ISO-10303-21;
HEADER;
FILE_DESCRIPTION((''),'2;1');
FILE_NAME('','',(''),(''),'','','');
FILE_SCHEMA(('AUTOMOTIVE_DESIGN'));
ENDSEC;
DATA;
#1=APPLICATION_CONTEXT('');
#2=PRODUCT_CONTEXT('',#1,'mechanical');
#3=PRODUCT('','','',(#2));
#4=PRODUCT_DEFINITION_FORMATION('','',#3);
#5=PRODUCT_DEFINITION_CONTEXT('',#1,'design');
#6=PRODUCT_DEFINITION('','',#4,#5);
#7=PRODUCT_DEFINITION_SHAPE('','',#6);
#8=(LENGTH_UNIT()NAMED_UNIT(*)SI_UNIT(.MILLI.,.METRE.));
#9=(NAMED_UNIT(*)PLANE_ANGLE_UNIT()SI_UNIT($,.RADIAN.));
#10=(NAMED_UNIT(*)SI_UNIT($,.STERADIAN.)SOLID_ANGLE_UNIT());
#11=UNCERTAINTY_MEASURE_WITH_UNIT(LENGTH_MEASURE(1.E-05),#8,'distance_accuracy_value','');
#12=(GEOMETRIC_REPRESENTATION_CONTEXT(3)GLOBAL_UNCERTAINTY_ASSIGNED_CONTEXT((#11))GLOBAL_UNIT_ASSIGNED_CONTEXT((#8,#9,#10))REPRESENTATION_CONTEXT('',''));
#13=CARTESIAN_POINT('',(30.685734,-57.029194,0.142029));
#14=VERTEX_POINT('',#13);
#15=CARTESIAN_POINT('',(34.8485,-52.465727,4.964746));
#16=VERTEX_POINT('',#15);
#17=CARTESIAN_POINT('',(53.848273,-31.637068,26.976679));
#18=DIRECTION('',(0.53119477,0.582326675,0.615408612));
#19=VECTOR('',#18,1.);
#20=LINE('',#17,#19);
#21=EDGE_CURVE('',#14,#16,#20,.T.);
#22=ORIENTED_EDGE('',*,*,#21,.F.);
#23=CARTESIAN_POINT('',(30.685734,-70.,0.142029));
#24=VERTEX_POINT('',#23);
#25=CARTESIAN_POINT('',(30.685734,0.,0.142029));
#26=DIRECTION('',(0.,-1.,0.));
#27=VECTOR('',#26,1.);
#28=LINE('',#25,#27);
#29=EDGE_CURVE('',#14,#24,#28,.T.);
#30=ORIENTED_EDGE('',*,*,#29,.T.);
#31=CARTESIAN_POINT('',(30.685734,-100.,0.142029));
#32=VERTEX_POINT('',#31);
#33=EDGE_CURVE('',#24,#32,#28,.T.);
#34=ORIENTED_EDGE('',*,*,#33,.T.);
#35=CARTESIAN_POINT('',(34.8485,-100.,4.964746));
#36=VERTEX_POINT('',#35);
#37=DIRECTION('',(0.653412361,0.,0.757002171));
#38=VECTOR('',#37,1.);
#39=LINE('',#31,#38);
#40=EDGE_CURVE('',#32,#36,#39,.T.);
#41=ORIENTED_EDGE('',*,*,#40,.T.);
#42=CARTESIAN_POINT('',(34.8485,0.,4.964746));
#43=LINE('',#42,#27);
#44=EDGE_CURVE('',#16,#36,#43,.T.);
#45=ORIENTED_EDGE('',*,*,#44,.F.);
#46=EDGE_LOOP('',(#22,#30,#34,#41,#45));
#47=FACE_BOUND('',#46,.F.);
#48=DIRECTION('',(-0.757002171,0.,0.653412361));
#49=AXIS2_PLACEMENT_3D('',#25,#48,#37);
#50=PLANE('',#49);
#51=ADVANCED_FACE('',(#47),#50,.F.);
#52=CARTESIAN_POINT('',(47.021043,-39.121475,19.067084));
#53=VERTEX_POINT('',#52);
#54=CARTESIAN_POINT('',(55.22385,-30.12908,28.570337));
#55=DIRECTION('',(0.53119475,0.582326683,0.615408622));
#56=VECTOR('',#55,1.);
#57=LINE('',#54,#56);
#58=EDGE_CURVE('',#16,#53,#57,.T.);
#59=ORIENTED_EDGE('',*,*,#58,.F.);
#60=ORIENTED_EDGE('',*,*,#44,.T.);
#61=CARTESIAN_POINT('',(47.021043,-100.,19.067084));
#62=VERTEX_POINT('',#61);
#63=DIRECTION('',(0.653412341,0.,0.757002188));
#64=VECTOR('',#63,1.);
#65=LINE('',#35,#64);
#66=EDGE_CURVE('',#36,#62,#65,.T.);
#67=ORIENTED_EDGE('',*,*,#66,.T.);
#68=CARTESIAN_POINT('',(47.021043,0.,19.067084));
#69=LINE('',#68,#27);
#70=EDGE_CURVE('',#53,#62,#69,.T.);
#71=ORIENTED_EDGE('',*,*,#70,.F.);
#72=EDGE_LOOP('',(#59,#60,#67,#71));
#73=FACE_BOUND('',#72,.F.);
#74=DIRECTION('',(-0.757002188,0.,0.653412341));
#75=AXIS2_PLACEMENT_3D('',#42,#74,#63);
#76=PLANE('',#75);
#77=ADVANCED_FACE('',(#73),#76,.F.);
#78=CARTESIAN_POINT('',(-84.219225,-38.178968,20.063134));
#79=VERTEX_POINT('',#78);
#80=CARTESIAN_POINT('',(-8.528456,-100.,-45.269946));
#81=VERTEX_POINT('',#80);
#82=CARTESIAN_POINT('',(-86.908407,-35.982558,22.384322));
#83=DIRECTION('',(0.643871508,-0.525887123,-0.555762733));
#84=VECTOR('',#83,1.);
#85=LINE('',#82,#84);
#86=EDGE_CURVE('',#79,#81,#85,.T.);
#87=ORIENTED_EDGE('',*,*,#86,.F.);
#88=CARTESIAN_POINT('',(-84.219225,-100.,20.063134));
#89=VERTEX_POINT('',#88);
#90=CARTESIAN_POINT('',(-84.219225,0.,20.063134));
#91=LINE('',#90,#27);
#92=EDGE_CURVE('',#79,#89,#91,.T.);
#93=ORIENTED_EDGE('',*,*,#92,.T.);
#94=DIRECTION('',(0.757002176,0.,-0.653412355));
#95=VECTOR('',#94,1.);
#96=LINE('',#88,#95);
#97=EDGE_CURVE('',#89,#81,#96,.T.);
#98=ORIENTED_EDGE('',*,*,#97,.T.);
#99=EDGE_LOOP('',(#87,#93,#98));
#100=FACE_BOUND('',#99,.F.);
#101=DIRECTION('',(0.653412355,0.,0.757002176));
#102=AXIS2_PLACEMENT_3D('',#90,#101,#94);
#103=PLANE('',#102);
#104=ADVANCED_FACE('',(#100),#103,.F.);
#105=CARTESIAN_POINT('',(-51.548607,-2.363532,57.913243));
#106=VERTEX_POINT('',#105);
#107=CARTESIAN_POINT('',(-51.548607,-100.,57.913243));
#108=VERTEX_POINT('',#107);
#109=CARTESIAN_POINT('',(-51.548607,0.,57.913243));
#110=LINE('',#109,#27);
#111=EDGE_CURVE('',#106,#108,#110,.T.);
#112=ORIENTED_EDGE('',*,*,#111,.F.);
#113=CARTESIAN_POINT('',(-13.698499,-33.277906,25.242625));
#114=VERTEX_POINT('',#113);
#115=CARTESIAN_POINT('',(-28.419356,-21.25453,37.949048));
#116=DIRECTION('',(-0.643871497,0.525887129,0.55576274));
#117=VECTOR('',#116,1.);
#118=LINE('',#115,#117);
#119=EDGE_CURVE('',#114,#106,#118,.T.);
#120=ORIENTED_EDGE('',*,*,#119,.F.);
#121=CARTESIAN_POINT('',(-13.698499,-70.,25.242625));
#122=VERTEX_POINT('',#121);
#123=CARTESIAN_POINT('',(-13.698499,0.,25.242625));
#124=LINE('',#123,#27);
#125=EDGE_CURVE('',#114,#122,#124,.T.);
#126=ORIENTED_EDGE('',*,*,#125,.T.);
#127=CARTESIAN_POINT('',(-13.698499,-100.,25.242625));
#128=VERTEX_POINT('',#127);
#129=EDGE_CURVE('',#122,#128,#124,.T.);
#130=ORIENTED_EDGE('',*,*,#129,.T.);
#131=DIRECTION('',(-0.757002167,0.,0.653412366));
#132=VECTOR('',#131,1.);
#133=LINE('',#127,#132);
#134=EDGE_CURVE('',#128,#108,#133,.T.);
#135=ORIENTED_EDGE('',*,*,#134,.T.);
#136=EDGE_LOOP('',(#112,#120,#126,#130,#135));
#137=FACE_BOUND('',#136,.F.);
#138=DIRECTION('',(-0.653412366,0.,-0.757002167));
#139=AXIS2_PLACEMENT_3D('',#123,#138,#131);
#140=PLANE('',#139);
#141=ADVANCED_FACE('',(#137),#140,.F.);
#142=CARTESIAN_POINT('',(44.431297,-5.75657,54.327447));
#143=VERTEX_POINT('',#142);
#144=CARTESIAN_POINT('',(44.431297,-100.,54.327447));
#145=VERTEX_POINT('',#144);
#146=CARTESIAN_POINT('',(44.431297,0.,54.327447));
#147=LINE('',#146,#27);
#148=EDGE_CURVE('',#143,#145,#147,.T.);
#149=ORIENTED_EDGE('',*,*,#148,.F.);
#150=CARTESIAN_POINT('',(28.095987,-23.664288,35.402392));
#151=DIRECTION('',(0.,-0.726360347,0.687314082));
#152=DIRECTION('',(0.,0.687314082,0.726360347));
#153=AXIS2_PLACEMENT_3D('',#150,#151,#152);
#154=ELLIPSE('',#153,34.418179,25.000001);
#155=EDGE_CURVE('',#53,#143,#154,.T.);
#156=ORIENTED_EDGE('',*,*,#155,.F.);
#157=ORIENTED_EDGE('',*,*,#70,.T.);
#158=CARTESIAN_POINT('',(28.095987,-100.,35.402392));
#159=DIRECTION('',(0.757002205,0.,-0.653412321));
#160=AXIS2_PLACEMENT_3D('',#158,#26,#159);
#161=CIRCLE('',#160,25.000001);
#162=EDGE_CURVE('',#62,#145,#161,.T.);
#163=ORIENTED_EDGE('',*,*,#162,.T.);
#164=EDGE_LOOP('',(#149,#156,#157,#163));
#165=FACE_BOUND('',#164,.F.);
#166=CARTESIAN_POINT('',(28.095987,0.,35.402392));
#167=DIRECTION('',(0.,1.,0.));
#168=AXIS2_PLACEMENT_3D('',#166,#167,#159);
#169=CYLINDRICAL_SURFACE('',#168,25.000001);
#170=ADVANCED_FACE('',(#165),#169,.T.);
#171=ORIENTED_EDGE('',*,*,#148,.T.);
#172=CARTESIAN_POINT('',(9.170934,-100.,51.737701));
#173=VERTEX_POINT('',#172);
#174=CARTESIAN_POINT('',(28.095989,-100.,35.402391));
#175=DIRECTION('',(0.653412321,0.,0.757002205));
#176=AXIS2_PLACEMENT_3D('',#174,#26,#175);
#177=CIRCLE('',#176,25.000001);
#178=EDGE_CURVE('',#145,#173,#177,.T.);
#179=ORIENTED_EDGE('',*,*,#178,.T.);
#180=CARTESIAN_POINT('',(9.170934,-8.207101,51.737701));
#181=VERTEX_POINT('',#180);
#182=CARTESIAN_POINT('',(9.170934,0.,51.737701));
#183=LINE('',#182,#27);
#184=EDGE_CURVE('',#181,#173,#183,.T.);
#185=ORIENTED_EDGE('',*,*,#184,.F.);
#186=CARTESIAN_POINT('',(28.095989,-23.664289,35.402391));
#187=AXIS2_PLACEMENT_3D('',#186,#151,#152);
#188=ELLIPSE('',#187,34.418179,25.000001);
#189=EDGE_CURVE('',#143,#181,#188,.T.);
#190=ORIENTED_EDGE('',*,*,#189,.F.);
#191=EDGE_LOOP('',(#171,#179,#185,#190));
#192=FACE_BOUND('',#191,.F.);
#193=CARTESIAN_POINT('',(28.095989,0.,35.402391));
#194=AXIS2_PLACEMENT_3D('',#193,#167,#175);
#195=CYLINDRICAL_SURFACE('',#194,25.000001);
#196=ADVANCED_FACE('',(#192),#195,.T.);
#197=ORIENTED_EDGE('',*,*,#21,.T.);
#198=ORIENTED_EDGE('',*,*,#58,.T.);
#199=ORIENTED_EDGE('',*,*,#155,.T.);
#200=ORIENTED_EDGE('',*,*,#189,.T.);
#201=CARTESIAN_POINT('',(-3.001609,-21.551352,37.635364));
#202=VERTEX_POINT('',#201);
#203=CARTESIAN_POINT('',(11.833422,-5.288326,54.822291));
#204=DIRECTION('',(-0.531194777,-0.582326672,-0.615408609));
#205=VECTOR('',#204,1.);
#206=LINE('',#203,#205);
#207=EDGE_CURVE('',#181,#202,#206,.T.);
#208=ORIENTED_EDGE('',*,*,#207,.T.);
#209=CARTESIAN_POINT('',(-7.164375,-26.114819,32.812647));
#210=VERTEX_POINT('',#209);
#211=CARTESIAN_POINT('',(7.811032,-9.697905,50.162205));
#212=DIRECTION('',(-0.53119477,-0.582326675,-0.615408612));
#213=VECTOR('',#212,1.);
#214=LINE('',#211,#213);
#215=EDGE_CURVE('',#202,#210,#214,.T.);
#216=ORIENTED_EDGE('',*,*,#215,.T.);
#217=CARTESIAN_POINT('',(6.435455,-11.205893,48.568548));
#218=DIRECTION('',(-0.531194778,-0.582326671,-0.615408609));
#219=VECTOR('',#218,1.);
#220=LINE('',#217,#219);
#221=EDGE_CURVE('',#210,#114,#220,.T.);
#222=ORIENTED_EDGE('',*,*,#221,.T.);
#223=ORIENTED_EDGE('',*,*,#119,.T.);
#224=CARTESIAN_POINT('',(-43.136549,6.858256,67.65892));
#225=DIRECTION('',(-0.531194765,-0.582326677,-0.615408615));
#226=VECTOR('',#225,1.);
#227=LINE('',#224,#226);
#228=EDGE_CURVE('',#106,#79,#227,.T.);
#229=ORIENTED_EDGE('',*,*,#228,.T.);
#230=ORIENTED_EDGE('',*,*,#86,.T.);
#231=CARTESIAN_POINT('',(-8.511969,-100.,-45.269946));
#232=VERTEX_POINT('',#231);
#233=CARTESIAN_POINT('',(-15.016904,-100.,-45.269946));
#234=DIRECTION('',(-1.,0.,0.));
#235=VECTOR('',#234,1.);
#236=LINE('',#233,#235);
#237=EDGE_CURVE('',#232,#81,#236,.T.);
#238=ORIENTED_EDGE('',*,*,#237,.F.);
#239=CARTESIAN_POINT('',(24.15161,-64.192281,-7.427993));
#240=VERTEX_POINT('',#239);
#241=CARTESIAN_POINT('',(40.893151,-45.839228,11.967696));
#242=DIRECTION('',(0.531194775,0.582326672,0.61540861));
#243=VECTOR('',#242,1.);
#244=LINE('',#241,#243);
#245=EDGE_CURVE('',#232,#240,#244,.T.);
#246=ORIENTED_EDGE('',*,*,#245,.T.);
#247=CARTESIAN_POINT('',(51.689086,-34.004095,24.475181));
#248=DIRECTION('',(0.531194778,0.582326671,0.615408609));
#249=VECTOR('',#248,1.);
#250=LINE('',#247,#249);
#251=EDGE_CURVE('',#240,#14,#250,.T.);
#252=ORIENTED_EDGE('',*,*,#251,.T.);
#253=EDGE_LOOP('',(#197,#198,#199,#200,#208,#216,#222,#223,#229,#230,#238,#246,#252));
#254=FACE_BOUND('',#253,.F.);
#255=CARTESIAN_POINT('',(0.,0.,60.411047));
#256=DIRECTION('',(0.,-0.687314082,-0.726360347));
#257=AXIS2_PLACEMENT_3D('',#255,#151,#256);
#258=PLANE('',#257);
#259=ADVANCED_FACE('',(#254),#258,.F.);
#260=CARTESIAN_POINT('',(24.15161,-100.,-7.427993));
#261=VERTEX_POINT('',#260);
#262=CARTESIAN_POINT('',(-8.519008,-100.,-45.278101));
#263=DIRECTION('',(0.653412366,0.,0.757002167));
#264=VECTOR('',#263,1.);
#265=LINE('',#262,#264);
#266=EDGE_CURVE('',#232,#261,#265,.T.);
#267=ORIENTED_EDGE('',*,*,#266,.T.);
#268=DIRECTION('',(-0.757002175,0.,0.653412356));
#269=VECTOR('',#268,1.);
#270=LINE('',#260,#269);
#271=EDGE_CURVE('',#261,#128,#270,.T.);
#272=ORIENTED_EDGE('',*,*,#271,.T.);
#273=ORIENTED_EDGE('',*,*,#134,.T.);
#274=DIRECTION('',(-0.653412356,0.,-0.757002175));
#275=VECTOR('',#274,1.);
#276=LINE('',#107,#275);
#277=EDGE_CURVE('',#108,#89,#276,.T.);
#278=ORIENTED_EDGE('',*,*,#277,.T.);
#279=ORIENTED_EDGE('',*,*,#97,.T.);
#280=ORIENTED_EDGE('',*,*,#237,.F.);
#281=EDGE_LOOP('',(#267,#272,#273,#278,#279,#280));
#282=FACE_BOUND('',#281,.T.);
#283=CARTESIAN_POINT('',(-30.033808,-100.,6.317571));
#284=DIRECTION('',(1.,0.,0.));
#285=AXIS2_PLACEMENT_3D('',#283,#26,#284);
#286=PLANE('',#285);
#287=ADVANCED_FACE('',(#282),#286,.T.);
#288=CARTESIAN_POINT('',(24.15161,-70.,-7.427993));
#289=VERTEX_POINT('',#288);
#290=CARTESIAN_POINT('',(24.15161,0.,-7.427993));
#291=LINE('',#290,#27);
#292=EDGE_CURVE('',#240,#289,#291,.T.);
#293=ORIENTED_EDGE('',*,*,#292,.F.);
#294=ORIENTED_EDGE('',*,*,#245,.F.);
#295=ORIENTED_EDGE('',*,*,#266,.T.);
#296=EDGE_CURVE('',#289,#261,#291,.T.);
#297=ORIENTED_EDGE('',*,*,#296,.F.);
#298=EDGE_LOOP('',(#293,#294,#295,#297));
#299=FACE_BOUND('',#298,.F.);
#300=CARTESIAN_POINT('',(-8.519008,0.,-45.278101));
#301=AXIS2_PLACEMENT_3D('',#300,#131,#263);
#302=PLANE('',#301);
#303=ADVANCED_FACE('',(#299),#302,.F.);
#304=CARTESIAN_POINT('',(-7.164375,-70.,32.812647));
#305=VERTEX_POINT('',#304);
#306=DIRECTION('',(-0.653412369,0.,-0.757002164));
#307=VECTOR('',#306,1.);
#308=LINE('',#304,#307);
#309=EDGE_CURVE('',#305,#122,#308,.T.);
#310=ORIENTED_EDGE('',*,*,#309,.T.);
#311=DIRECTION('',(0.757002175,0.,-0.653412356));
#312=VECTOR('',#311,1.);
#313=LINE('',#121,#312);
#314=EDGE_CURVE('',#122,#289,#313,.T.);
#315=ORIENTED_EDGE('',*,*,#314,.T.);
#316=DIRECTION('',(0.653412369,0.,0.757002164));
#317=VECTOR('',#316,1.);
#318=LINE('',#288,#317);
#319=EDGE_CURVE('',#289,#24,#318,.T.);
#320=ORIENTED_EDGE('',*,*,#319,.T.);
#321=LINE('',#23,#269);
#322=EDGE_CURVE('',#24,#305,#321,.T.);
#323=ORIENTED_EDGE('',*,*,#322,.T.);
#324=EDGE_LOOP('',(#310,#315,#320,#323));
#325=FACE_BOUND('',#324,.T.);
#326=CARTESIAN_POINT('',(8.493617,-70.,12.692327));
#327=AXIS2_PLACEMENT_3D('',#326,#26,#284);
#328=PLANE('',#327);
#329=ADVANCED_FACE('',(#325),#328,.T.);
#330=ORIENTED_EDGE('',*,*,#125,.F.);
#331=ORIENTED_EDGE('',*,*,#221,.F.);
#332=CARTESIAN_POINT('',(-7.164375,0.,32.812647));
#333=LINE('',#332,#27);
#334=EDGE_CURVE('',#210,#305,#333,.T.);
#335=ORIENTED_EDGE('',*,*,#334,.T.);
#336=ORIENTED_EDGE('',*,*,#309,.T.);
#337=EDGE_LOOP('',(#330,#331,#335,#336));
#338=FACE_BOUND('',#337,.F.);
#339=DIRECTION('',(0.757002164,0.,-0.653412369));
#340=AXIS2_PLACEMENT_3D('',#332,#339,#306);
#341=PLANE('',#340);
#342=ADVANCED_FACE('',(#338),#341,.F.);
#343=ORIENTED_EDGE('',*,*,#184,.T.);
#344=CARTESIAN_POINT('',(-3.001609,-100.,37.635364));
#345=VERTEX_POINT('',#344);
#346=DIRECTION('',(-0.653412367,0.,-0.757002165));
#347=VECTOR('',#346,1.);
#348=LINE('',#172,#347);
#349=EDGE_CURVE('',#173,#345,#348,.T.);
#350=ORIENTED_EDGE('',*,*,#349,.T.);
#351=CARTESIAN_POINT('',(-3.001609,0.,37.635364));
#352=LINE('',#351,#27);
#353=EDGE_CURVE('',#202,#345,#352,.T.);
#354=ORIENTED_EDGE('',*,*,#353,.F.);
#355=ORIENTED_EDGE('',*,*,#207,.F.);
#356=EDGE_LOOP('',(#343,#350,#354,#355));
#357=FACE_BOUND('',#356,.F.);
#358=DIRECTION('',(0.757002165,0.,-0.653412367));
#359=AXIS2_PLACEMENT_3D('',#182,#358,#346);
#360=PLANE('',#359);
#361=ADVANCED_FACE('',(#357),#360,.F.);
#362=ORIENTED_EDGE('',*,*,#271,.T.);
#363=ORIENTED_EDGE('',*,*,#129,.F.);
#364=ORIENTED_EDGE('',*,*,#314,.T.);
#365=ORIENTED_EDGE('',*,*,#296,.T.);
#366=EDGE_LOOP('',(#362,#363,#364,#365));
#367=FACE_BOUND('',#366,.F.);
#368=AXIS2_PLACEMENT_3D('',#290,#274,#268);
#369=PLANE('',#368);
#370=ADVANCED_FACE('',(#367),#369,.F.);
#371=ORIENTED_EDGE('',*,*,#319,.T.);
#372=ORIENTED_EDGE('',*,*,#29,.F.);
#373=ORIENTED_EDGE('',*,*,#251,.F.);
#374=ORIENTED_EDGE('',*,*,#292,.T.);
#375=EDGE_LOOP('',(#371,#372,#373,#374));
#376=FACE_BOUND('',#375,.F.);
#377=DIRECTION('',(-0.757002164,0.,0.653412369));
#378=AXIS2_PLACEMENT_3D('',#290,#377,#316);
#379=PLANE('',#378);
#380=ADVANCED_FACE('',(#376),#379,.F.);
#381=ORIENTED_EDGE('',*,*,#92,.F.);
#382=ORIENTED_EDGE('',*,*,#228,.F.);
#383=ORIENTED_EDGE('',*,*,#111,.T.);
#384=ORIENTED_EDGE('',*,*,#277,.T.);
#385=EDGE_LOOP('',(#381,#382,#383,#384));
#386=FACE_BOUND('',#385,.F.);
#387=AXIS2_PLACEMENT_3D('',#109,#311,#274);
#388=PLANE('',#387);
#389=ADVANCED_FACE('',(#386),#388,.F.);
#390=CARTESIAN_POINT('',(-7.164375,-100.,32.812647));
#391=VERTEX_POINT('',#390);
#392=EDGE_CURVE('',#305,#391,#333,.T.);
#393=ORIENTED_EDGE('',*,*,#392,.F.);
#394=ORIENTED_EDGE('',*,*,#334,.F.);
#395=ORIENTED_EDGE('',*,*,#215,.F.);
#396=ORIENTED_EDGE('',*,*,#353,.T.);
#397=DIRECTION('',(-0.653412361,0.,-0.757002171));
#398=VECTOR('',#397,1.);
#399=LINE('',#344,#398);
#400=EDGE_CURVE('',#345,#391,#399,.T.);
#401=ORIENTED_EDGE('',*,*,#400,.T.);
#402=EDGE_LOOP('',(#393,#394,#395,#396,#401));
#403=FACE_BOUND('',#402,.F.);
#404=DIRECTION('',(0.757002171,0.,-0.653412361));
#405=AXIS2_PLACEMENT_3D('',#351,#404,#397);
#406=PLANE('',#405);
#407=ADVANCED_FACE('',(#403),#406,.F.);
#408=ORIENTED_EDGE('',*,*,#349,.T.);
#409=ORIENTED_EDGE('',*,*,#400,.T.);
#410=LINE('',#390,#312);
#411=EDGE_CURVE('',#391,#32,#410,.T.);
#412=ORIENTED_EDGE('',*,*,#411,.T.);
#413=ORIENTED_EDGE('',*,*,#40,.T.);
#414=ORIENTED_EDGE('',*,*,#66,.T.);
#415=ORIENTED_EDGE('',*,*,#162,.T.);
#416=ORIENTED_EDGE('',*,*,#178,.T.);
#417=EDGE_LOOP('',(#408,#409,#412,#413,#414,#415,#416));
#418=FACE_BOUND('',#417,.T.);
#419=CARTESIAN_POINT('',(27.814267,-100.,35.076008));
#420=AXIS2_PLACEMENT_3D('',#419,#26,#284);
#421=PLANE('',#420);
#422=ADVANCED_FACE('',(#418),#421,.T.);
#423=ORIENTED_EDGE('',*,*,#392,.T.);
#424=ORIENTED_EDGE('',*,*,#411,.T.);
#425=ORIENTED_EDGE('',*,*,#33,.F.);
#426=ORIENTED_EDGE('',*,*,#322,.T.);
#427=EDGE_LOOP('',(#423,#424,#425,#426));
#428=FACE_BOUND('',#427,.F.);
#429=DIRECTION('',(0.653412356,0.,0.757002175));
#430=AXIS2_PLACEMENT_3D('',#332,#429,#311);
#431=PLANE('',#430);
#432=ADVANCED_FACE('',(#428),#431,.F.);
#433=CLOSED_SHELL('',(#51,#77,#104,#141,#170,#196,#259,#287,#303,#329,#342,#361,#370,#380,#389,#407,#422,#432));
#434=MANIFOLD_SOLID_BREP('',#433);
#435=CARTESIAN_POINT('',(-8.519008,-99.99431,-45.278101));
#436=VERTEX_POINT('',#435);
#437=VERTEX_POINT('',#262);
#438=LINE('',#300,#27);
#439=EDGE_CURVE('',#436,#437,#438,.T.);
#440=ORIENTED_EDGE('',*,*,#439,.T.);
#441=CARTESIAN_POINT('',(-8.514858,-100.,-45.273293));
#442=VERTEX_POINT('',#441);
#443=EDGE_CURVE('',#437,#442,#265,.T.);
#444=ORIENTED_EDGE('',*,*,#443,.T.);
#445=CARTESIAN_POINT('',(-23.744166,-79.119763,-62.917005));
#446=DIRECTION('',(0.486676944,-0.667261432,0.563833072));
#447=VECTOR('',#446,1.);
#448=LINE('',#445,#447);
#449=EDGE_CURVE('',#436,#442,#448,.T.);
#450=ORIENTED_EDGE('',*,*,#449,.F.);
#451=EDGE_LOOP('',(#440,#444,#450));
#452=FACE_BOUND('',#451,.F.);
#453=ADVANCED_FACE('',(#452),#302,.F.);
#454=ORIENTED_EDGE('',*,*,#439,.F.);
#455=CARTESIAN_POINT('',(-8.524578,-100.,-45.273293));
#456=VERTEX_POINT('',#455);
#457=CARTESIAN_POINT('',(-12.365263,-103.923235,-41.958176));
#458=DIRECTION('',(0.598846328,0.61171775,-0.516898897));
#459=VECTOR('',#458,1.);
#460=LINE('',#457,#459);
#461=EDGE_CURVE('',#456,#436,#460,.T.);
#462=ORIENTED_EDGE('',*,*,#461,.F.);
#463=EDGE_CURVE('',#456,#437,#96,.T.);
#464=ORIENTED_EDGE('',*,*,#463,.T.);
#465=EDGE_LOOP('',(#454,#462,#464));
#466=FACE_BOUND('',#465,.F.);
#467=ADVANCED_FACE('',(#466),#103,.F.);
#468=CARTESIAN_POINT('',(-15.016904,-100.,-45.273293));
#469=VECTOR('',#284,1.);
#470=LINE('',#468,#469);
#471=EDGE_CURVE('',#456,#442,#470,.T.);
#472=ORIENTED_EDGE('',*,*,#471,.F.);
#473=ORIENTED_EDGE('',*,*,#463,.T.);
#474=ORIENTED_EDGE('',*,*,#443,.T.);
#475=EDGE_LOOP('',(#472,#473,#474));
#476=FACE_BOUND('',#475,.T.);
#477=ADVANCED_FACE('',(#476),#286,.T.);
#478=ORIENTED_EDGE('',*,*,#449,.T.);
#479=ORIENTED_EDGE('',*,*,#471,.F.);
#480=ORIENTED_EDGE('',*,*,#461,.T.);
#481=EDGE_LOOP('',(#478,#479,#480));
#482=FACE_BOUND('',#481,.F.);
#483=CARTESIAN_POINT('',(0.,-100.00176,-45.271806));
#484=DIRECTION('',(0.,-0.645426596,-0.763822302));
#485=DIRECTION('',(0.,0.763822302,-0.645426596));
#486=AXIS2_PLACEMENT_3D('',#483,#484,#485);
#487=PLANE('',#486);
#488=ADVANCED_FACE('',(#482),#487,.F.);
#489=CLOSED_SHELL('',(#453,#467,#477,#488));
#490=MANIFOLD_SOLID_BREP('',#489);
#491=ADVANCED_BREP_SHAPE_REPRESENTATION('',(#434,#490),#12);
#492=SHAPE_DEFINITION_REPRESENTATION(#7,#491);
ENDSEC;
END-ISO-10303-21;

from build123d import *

# Parameters (mm, degrees)
F2_DEPTH = 70
F3_DEPTH = 100
F4_DEPTH = 100


with BuildPart() as f2:
    # F0 (on Front) → F2 (new body)
    with BuildSketch(Plane.XZ):
        Polygon((-13.698499, 25.242625), (24.15161, -7.427993), (30.685734, 0.142029), (-7.164375, 32.812647), align=None)
    extrude(amount=F2_DEPTH)

    # F0 (on Front) → F3 (join)
    with BuildSketch(Plane.XZ):
        Polygon((-84.219225, 20.063134), (-8.519008, -45.278101), (24.15161, -7.427993), (-13.698499, 25.242625), (-51.548607, 57.913243), align=None)
        with BuildLine():
            Line((-3.001609, 37.635364), (34.8485, 4.964746))
            Line((34.8485, 4.964746), (47.021043, 19.067084))
            ThreePointArc((47.021043, 19.067084), (53.02883, 37.233619), (44.431297, 54.327447))
            ThreePointArc((44.431297, 54.327447), (26.264762, 60.335234), (9.170934, 51.737701))
            Line((9.170934, 51.737701), (-3.001609, 37.635364))
        make_face()
        Polygon((-7.164375, 32.812647), (30.685734, 0.142029), (34.8485, 4.964746), (-3.001609, 37.635364), align=None)
    extrude(amount=F3_DEPTH)

    # F1 (on Right) → F4 (cut, symmetric)
    with BuildSketch(Plane.YZ):
        Polygon((0, 60.411047), (-100.00176, -45.271806), (-18.930101, -113.777013), (76.973737, -12.424885), align=None)
    extrude(amount=F4_DEPTH, both=True, mode=Mode.SUBTRACT)


solid = f2.part
